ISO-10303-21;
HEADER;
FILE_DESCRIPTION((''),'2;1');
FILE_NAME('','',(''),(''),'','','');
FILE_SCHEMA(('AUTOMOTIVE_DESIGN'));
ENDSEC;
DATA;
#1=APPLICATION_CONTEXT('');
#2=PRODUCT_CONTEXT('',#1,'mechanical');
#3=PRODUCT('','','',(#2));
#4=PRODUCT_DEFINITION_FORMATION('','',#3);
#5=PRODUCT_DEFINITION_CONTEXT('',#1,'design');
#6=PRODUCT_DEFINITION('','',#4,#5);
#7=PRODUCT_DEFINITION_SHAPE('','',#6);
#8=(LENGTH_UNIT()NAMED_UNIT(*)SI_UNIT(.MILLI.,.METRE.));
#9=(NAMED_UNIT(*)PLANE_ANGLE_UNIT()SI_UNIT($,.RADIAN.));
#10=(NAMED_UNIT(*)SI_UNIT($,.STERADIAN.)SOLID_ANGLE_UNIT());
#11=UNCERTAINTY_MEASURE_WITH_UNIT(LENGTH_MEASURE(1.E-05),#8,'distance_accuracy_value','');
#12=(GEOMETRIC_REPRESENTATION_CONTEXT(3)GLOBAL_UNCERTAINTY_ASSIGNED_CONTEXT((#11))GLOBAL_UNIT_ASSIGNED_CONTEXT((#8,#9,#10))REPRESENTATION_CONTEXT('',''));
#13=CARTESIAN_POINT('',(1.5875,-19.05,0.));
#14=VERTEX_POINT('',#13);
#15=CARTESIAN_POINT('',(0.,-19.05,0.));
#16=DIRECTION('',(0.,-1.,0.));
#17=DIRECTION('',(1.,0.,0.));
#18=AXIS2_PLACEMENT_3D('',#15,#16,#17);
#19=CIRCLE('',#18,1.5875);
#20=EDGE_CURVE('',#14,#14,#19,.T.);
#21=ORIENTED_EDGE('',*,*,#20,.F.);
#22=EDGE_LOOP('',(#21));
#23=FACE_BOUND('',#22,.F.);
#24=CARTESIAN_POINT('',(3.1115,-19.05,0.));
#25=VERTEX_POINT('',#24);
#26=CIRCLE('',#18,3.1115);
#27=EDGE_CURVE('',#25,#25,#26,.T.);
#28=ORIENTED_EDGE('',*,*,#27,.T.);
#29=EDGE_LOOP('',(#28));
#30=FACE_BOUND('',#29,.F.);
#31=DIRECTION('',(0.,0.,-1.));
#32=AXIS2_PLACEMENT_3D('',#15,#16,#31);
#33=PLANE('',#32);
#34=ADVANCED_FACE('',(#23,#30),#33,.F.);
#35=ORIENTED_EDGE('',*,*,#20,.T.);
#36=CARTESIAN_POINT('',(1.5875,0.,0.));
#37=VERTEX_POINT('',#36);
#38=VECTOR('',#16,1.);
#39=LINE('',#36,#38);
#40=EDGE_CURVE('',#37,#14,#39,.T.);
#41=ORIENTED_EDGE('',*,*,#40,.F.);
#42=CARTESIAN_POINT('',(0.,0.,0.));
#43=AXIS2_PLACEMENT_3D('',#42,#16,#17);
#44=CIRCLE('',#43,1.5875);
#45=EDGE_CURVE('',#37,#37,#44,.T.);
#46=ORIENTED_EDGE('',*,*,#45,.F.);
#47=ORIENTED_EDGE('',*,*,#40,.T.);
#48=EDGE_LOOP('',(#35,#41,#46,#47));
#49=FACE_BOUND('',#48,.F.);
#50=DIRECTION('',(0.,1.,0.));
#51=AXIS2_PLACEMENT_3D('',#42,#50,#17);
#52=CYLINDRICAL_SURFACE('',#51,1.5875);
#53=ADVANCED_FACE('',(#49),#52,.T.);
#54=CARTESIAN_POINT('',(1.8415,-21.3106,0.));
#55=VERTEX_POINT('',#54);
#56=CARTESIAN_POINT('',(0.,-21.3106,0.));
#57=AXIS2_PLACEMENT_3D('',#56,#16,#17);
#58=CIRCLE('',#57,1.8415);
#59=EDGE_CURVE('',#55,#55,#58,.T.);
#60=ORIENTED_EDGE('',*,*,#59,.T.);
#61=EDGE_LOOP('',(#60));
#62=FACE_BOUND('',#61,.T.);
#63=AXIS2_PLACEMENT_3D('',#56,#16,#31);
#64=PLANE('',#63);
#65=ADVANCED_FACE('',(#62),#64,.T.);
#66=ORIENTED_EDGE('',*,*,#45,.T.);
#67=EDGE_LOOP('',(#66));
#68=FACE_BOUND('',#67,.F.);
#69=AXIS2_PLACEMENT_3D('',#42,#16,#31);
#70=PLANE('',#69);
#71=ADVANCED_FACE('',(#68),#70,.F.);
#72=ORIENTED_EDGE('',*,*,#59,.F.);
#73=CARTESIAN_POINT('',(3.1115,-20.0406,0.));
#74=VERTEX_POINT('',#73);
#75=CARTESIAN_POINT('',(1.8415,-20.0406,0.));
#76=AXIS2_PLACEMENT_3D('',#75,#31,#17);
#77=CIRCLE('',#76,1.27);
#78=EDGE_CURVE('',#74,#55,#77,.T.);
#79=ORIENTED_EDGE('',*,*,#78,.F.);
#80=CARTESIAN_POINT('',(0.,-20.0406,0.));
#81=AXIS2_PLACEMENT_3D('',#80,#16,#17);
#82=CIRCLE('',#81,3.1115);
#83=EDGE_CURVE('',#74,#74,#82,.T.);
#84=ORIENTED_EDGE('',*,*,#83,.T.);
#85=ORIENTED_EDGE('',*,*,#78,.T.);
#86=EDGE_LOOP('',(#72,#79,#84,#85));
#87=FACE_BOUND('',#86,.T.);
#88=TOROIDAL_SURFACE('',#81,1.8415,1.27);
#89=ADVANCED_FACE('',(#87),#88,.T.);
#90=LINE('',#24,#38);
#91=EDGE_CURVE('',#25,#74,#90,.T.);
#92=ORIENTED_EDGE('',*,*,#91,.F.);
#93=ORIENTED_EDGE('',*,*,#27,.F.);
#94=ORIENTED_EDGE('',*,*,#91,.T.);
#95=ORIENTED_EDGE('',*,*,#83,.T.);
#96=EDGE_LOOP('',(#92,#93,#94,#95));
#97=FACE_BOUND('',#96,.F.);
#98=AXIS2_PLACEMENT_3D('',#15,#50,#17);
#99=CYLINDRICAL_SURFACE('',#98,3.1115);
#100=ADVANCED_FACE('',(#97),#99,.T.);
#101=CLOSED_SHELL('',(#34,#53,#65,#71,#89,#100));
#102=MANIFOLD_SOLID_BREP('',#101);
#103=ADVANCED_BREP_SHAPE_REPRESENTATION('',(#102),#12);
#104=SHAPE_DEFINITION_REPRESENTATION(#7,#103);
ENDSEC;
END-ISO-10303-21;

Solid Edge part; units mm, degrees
sketch "Sketch1" plane through (0, 0, 0) normal (0, -1, 0) x (1, 0, 0)
  circle A0 centre (0, 0) radius 1.5875
extrude "Protrusion1" add sketch "Sketch1" along normal blind 19.05
sketch "Sketch2" plane through (0, -19.05, 0) normal (0, -1, 0) x (1, 0, 0)
  circle A0 centre (0, 0) radius 3.1115
extrude "ExtrudedProtrusion_2" add sketch "Sketch2" along normal blind 2.2606
fillet "Round_1" radius 1.27 1 edges at (-3.1115, -21.3106, 0)
cosmetic_thread "Thread1" size "#5-40 UNC"
properties part number "90272A130"
